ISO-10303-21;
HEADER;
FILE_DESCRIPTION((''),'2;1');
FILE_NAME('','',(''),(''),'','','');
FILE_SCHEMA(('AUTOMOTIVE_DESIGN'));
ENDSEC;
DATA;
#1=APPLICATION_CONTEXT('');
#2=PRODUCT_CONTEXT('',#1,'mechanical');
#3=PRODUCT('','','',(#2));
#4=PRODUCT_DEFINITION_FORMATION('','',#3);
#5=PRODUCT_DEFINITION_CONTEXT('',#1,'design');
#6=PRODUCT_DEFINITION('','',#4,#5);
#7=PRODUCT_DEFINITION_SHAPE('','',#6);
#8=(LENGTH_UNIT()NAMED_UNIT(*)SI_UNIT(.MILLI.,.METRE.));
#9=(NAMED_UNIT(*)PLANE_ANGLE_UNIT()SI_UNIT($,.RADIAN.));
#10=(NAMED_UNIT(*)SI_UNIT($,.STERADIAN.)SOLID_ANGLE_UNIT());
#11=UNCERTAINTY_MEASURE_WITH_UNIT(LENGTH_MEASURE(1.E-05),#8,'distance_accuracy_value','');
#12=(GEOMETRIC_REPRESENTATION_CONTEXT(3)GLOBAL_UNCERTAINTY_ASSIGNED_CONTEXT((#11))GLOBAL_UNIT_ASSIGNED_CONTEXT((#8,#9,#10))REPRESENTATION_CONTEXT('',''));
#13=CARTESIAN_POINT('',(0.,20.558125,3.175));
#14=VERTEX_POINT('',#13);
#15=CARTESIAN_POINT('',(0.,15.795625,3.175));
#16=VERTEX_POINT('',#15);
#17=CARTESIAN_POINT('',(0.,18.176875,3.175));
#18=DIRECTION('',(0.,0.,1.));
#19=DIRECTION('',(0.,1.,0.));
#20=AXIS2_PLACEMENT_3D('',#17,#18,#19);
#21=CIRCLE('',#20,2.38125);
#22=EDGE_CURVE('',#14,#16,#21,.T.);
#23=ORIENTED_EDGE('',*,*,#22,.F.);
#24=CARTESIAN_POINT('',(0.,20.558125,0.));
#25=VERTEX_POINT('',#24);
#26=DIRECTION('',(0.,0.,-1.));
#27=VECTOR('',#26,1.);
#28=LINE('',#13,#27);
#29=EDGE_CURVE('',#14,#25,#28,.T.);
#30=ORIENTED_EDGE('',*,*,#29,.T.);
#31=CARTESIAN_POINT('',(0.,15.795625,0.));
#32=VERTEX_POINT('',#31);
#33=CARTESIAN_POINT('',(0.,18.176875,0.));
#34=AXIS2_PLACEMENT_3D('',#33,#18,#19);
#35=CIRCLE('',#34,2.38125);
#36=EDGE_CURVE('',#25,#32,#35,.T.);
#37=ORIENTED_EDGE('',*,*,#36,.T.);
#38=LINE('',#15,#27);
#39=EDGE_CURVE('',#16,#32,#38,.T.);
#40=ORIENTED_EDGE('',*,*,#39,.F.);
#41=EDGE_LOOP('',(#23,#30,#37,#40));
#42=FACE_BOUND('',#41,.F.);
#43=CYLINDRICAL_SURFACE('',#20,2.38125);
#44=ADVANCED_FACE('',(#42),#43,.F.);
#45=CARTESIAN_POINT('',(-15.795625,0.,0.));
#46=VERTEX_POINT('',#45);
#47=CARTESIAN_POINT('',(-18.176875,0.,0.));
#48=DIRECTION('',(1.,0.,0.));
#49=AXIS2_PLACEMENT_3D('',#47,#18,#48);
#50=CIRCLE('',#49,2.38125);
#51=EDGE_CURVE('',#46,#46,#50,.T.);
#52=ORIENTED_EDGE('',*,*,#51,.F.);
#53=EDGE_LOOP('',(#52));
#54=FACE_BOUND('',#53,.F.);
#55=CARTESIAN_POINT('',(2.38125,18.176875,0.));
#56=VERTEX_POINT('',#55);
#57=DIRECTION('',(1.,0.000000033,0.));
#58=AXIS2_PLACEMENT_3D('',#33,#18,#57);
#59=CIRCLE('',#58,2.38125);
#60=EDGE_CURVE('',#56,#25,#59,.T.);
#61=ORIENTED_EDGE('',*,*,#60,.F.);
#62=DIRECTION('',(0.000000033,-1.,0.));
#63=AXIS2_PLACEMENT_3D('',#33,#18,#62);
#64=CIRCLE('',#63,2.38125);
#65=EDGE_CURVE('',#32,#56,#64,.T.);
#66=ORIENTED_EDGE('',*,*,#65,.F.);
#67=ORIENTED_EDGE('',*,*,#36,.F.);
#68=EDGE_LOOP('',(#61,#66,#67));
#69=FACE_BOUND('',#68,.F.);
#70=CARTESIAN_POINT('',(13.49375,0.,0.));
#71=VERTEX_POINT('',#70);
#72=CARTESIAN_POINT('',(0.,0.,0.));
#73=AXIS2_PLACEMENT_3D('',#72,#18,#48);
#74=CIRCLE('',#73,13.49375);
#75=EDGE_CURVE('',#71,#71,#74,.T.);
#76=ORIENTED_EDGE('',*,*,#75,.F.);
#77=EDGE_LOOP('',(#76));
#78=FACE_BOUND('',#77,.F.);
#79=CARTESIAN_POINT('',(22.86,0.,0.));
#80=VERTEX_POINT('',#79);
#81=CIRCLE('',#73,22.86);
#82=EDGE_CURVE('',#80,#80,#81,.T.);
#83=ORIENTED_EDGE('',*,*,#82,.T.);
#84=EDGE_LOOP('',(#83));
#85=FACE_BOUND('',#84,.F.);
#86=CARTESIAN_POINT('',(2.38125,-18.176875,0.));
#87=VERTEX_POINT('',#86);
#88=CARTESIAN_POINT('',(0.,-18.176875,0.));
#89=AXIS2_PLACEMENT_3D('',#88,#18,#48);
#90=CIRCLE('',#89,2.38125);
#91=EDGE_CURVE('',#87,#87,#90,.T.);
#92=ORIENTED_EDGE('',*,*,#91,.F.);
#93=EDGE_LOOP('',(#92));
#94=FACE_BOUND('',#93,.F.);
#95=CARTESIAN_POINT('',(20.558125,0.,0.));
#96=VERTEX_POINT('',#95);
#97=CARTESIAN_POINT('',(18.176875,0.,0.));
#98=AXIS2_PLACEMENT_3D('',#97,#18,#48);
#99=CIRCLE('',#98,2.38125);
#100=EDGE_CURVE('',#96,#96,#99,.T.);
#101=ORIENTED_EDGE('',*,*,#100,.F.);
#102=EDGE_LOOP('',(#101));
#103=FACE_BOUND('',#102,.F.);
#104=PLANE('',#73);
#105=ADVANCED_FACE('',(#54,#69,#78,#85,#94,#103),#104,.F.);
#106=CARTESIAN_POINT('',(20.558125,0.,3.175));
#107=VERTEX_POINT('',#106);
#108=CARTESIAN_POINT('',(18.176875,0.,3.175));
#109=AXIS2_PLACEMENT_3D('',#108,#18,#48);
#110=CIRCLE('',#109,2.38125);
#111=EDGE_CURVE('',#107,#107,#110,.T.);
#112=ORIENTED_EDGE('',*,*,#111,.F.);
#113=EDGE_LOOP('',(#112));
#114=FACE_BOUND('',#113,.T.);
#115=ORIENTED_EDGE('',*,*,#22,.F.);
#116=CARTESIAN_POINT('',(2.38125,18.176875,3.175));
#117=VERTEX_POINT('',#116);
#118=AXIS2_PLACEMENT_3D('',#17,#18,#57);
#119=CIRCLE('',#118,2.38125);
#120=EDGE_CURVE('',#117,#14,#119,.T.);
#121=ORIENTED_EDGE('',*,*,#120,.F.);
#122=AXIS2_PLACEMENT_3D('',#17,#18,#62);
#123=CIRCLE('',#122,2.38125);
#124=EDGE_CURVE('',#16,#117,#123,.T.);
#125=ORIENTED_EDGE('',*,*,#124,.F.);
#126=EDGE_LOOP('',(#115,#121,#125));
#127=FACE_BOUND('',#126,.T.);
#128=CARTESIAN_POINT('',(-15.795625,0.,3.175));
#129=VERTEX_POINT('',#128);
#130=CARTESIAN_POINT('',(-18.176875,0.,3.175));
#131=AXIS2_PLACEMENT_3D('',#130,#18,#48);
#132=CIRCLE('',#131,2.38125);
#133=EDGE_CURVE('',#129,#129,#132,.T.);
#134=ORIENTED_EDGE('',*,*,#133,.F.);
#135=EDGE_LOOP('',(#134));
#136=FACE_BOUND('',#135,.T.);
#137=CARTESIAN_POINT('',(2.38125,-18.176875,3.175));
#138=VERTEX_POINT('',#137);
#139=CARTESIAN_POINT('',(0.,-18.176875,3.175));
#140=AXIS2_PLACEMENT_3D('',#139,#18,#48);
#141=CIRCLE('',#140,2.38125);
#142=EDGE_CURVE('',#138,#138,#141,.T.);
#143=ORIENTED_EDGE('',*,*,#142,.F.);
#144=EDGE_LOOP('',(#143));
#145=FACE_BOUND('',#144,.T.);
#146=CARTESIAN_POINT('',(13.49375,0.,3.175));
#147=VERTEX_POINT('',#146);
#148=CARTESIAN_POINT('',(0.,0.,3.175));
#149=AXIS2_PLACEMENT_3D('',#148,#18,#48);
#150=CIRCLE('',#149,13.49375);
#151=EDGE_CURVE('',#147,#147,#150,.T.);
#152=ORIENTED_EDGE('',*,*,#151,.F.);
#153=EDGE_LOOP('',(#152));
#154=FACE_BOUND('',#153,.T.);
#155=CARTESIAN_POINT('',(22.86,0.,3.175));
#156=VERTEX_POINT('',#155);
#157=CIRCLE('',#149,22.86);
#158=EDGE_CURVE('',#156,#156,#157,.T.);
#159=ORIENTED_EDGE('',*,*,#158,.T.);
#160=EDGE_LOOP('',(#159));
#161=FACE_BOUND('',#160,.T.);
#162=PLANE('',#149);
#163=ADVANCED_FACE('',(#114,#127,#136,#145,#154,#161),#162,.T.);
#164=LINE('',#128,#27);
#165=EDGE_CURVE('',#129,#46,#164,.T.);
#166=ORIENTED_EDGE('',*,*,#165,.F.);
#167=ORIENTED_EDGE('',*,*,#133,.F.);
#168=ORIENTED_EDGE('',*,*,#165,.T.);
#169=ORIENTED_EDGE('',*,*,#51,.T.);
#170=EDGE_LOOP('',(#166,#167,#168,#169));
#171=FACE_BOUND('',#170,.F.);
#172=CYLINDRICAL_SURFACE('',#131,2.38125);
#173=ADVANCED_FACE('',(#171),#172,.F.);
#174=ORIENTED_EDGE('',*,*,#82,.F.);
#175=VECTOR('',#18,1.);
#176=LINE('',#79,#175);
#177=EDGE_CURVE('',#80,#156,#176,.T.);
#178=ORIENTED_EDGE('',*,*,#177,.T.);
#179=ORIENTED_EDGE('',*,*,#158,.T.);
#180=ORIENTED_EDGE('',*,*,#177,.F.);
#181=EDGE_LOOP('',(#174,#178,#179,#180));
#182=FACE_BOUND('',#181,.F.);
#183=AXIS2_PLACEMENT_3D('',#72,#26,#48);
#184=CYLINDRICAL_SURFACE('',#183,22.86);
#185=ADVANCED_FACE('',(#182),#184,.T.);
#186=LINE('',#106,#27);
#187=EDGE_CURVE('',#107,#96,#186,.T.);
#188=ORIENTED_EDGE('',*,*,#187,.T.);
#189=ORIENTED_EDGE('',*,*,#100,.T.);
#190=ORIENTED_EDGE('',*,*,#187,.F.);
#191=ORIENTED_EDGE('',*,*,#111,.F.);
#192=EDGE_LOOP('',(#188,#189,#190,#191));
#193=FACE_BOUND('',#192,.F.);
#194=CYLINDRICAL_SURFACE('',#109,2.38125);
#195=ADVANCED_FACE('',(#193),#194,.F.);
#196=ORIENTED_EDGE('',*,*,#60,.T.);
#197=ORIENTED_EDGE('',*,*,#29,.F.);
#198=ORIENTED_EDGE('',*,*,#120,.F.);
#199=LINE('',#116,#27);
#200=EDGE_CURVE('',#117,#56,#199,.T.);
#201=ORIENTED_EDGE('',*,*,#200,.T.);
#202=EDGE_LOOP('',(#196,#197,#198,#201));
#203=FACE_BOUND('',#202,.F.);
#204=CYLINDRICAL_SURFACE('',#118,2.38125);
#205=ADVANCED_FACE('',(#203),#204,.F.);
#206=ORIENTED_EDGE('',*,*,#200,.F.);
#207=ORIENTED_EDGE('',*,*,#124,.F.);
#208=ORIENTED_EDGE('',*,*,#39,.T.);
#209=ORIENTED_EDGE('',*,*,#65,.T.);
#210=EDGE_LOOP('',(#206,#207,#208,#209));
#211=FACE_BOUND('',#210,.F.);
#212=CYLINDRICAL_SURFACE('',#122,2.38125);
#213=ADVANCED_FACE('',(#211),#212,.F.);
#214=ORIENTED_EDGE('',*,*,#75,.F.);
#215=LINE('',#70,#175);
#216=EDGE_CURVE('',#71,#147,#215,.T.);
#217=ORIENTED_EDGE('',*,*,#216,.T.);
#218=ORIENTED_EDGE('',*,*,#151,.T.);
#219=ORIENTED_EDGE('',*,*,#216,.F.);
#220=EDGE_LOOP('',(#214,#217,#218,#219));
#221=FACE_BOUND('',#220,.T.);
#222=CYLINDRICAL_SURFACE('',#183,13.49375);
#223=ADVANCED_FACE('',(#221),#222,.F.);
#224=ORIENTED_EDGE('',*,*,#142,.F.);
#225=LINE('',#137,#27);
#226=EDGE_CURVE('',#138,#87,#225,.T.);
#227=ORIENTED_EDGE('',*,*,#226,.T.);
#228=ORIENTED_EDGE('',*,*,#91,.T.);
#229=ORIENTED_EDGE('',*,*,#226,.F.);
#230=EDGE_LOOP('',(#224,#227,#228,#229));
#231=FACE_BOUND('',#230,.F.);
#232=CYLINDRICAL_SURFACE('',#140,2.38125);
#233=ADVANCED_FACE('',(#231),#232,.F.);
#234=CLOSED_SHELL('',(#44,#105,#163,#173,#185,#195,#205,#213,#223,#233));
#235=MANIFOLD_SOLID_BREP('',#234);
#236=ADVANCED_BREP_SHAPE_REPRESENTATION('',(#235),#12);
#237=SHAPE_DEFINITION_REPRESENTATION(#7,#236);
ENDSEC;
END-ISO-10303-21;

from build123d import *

# Parameters (mm, degrees)
F0_R     = 22.86
F0_R_2   = 13.49375
F1_DEPTH = 3.175
F2_R     = 2.38125
F3_DEPTH = 25.4


with BuildPart() as f1:
    # F0 (on Top) → F1 (new body)
    with BuildSketch(Plane.XY):
        Circle(F0_R)
        Circle(F0_R_2, mode=Mode.SUBTRACT)
    extrude(amount=F1_DEPTH)

    # F2 (on face) → F3 (cut)
    with BuildSketch(Plane.XY.offset(3.175)):
        with BuildLine():
            ThreePointArc((2.38125, 18.176875), (1.683798, 19.860673), (0, 20.558125))
            Line((0, 20.558125), (0, 15.795625))
            ThreePointArc((0, 15.795625), (1.683798, 16.493077), (2.38125, 18.176875))
        make_face()
        with BuildLine():
            Line((0, 15.795625), (0, 20.558125))
            ThreePointArc((0, 20.558125), (-2.38125, 18.176875), (0, 15.795625))
        make_face()
        with Locations((-18.176875, 0)):
            Circle(F2_R)
        with Locations((0, -18.176875)):
            Circle(F2_R)
        with Locations((18.176875, 0)):
            Circle(F2_R)
    extrude(amount=-F3_DEPTH, mode=Mode.SUBTRACT)


solid = f1.part
